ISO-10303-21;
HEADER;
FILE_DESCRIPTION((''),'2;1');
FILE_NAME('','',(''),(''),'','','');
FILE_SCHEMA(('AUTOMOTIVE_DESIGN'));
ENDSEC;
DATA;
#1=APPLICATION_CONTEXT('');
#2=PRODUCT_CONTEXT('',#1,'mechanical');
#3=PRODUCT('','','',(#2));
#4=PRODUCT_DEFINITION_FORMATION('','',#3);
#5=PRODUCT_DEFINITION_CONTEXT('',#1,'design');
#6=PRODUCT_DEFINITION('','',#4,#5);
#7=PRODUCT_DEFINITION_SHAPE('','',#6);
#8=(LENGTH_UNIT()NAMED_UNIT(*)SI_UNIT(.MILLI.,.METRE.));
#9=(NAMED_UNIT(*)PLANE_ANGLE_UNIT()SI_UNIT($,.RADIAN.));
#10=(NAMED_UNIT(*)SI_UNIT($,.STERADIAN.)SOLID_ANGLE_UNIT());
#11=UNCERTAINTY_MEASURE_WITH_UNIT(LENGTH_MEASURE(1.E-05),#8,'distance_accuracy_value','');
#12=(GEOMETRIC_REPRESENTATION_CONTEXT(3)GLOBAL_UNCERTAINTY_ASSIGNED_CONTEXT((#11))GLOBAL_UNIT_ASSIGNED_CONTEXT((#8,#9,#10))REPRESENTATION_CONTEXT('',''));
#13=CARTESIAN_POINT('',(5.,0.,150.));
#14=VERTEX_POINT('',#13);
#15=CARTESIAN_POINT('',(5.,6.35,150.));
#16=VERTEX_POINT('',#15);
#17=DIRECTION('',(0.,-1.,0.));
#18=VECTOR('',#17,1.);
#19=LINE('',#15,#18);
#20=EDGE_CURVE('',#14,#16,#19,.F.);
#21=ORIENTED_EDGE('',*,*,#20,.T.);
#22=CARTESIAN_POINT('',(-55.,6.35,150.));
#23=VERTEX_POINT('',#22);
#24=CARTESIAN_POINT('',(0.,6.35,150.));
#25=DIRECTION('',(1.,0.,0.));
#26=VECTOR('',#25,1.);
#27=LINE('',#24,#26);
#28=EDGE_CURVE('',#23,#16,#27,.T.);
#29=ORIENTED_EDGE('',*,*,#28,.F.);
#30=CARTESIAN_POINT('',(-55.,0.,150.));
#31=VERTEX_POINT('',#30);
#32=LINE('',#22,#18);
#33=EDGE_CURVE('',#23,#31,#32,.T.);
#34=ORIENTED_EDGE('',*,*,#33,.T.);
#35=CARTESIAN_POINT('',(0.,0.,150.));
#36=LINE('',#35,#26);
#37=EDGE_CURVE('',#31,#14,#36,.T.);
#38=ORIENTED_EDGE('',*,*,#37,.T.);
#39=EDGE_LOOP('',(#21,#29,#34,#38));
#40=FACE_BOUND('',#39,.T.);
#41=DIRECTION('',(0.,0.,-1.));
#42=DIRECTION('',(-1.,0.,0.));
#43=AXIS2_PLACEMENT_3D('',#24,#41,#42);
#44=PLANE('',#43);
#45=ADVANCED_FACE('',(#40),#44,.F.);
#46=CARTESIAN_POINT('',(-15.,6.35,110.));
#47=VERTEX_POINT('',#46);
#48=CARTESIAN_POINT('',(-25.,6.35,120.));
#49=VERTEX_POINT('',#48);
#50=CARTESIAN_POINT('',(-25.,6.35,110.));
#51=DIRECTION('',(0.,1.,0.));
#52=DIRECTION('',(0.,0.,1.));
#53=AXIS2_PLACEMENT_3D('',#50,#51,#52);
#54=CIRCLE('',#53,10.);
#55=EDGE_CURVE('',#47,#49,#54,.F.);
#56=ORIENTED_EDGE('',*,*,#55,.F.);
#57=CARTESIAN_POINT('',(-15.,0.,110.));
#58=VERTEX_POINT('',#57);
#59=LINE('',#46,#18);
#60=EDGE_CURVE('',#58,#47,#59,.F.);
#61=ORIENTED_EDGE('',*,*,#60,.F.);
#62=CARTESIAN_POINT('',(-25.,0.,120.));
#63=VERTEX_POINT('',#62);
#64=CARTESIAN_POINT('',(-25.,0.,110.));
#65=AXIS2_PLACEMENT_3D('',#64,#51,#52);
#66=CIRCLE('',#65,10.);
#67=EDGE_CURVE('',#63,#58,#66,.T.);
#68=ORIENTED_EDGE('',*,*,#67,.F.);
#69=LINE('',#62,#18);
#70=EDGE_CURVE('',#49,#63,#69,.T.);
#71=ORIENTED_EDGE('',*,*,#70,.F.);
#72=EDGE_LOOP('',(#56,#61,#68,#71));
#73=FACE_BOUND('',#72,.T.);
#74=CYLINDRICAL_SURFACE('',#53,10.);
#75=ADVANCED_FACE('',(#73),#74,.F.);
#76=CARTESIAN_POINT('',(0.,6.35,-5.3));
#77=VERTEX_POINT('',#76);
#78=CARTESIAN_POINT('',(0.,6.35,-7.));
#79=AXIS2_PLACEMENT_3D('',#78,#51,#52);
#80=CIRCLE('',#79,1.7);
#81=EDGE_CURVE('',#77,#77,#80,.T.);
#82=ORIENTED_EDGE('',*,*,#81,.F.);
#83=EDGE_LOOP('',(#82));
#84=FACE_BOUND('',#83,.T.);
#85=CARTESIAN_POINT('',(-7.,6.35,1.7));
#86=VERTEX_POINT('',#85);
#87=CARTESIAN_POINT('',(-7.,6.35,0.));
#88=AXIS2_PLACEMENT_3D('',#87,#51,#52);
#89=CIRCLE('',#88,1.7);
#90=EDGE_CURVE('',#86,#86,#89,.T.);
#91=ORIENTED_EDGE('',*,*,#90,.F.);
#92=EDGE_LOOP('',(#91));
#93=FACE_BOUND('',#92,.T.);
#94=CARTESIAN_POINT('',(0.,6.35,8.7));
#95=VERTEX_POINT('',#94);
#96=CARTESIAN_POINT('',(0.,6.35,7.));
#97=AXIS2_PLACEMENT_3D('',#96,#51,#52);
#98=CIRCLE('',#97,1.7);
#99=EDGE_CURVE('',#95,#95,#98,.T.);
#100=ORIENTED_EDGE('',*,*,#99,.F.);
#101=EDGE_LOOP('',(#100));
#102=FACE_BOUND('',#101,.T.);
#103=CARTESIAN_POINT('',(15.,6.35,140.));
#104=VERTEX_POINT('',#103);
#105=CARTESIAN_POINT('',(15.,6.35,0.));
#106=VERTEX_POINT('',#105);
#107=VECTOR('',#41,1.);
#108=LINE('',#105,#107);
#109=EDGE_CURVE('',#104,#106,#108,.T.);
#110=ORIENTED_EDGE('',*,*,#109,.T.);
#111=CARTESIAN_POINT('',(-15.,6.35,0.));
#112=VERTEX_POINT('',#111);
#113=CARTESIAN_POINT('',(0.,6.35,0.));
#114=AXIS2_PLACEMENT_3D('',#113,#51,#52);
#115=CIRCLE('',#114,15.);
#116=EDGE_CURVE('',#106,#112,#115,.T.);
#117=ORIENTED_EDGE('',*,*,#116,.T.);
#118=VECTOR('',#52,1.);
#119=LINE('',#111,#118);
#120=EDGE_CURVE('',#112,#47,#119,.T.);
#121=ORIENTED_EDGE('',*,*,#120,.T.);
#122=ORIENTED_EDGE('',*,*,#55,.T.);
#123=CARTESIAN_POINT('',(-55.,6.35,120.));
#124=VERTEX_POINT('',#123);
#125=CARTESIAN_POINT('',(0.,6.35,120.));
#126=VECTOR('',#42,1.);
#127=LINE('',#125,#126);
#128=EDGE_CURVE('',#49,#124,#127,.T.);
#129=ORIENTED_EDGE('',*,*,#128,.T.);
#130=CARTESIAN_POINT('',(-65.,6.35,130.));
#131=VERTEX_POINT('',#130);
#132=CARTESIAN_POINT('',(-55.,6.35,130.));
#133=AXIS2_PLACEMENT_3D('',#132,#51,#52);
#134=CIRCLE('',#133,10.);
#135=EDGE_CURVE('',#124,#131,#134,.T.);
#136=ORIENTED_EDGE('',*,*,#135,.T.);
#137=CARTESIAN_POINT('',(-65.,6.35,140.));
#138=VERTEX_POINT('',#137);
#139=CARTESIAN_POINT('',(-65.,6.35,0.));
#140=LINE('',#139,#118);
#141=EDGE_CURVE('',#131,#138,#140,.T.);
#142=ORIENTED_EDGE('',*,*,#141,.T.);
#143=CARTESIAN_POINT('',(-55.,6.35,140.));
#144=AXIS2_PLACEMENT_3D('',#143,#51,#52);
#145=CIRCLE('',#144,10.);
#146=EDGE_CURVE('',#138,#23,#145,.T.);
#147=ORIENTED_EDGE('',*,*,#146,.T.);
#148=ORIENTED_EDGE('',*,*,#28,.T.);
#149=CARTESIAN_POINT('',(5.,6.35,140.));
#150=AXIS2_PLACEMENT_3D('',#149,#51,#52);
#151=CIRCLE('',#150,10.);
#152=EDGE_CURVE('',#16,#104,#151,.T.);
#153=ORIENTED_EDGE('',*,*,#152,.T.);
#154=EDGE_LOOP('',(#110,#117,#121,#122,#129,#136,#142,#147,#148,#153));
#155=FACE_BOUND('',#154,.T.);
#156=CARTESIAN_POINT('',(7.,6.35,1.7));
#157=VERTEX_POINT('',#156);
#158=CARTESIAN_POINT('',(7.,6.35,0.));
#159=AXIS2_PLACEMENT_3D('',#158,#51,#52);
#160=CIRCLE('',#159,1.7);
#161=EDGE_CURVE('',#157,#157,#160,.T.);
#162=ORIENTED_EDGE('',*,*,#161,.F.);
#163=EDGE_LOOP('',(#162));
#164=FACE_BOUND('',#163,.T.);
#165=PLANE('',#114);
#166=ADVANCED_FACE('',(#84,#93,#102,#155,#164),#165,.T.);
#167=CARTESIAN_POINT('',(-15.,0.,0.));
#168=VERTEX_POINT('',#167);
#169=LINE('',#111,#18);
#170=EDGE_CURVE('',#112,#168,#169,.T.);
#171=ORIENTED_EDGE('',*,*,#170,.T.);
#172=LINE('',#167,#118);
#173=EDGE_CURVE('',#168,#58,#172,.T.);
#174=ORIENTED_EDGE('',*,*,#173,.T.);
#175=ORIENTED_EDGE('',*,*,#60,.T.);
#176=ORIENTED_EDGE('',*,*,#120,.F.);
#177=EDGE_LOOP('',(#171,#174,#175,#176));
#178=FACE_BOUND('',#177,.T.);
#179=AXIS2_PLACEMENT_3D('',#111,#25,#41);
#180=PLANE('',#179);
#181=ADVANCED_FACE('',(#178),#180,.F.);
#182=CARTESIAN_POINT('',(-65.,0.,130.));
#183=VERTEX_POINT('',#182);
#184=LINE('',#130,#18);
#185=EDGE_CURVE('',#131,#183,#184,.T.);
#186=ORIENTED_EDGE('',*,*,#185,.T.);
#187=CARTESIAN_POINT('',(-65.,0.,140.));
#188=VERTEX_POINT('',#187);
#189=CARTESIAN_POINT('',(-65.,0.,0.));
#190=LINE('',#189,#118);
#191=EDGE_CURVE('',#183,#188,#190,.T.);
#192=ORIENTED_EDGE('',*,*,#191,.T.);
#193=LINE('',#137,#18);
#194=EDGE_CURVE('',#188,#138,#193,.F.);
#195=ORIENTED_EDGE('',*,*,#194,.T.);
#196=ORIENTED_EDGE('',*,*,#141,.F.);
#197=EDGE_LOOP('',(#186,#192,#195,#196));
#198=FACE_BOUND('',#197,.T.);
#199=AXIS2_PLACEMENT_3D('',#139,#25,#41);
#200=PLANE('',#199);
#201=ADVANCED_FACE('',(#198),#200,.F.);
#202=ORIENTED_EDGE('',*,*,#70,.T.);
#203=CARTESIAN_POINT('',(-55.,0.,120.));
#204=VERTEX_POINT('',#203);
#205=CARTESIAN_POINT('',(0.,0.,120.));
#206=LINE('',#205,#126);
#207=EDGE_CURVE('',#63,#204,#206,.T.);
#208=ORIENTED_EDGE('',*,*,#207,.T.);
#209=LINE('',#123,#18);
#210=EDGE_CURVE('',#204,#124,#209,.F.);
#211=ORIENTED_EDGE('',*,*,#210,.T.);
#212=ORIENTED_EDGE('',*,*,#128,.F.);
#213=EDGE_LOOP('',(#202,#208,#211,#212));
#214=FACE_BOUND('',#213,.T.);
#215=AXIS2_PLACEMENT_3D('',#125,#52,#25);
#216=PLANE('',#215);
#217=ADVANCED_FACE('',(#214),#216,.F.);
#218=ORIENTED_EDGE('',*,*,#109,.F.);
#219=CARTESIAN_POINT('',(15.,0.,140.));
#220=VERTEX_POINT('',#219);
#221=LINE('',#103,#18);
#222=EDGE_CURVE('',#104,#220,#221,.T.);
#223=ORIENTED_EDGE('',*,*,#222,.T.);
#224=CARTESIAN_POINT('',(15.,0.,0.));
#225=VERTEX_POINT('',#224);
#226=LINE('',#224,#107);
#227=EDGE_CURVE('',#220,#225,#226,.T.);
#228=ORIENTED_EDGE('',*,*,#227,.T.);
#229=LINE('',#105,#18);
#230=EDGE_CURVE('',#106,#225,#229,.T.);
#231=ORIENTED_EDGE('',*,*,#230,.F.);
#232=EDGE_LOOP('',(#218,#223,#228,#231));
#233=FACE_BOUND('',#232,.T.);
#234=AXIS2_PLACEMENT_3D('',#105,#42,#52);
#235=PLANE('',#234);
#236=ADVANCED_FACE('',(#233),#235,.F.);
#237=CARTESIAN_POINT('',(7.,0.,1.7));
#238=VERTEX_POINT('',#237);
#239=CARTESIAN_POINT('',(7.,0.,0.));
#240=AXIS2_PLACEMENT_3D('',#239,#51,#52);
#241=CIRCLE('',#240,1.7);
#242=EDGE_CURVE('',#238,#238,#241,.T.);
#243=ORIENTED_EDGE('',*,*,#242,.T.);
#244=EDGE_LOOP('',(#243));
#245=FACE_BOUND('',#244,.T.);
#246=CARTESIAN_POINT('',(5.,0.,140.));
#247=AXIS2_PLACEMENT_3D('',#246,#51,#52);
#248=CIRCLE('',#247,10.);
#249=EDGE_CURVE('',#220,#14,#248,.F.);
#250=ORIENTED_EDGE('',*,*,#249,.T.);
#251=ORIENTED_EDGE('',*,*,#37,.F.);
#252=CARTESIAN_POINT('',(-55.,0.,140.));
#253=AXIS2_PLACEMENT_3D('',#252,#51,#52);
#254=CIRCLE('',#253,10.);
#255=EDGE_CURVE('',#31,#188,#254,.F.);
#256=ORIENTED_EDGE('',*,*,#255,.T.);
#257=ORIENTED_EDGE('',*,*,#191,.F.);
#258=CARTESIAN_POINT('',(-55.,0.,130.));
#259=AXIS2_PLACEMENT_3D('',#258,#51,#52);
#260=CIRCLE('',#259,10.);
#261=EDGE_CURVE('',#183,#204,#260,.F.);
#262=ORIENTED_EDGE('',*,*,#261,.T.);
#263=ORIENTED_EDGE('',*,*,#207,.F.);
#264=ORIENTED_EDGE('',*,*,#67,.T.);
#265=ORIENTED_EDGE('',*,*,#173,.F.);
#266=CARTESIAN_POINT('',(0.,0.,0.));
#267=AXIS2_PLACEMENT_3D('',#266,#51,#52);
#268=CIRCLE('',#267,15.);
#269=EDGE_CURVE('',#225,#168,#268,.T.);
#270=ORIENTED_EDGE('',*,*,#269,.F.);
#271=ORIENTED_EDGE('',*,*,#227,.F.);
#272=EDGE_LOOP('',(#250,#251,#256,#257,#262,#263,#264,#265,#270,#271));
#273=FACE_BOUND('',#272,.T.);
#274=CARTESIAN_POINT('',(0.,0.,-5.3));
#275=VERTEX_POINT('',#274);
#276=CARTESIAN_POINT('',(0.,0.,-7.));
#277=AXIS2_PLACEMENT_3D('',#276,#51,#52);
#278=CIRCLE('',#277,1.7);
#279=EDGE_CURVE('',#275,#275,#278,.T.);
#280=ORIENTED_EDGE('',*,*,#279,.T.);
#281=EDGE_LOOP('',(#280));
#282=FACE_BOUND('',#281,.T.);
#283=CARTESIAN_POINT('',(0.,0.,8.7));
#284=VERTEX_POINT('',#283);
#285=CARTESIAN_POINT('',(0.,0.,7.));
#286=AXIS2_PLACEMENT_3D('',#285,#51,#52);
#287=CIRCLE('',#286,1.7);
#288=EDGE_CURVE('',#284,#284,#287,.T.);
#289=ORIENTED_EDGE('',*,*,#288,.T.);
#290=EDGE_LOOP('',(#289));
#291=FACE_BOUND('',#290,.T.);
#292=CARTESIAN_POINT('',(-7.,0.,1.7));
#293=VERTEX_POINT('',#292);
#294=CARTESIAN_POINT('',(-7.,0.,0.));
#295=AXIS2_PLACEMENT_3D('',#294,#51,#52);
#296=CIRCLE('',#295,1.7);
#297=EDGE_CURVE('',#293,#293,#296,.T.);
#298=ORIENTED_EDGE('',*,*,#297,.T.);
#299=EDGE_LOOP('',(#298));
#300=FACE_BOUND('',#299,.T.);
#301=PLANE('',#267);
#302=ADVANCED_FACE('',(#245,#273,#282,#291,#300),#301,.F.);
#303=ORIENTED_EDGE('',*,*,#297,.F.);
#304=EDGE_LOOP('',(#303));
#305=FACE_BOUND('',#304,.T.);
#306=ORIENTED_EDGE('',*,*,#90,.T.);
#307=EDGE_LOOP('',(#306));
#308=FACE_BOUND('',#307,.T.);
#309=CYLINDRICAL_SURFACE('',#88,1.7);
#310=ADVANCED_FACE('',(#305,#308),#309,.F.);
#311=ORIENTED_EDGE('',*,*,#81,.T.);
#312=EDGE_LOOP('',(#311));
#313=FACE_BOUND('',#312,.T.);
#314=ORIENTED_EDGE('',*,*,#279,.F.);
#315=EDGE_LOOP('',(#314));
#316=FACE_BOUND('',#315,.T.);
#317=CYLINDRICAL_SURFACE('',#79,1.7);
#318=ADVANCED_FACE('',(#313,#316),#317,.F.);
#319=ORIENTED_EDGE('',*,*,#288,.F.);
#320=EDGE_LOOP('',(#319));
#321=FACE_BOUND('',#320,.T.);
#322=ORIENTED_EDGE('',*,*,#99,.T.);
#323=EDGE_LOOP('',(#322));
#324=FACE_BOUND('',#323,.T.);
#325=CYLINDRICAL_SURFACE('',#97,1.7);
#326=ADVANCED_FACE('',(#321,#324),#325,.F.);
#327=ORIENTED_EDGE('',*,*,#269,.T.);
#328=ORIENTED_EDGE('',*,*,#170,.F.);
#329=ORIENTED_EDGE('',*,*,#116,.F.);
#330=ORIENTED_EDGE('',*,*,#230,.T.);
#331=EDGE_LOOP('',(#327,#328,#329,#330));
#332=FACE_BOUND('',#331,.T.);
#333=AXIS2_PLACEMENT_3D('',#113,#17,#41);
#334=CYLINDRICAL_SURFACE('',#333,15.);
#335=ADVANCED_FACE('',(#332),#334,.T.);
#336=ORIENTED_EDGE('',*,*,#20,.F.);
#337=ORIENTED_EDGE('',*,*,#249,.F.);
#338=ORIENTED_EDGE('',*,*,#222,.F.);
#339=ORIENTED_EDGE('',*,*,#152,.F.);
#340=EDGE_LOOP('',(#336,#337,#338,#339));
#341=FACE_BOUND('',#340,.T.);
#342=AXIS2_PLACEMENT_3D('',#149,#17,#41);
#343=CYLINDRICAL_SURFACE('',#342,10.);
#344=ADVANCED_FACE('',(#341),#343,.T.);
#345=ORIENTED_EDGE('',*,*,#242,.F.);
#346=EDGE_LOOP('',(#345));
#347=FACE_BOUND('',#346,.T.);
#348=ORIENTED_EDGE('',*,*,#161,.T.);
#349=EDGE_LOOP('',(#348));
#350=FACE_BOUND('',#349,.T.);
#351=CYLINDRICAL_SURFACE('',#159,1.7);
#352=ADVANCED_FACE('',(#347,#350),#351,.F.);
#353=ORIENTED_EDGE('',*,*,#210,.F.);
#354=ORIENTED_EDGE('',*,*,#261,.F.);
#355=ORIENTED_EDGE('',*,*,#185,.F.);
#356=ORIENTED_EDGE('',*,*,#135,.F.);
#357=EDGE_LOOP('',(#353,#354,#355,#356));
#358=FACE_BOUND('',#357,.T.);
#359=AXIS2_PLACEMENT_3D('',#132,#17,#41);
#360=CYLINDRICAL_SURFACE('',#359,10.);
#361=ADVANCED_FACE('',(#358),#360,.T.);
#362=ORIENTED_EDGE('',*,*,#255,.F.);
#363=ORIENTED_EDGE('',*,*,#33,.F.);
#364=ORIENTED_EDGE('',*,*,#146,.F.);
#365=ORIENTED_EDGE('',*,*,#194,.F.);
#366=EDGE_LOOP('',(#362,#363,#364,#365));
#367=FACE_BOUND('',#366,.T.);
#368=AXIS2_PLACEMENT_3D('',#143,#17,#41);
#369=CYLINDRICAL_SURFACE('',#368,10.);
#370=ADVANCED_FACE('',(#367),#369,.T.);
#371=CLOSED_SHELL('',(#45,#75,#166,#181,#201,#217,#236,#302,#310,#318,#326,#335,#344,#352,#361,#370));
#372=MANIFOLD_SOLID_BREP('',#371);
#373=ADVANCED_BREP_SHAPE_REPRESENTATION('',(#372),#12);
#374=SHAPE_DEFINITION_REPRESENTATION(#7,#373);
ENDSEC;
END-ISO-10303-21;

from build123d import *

# Parameters (mm, degrees)
SKETCH2_R            = 15
BOSS_EXTRUDE1_DEPTH  = 6.35
M3_CLEARANCE_HOLE1_D = 3.4
CIRPATTERN1_COUNT    = 4
FILLET1_R            = 10


with BuildPart() as part:
    # Sketch2 → Boss-Extrude1 (new body)
    with BuildSketch(Plane(origin=(0, 0, 0), x_dir=(1, 0, 0), z_dir=(0, 1, 0))):
        with BuildLine():
            ThreePointArc((15, 0), (0, -15), (-15, 0))
            Line((-15, 0), (-15, -120))
            Line((-15, -120), (-65, -120))
            Line((-65, -120), (-65, -150))
            Line((-65, -150), (15, -150))
            Line((15, -150), (15, 0))
        make_face()
        Circle(SKETCH2_R)
    extrude(amount=BOSS_EXTRUDE1_DEPTH)

    # M3 Clearance Hole1 (through all)
    with Locations(Plane(origin=(0, 6.35, 0), x_dir=(1, 0, 0), z_dir=(0, 1, 0))):
        with Locations((0, 7)):
            m3_clearance_hole1 = Hole(M3_CLEARANCE_HOLE1_D / 2)

    # CirPattern1: M3 Clearance Hole1 ×4 about axis
    cirpattern1_axis = Axis((0, 0, 0), (0, 1, 0))
    for i in range(1, CIRPATTERN1_COUNT):
        add(m3_clearance_hole1.rotate(cirpattern1_axis, i * 360 / CIRPATTERN1_COUNT), mode=Mode.SUBTRACT)

    # Fillet1
    fillet1_edges = [part.edges().sort_by_distance(p)[0] for p in [
        (15, 3.175, 150),
        (-65, 3.175, 150),
        (-65, 3.175, 120),
        (-15, 3.175, 120),
    ]]
    fillet(fillet1_edges, radius=FILLET1_R)


solid = part.part
